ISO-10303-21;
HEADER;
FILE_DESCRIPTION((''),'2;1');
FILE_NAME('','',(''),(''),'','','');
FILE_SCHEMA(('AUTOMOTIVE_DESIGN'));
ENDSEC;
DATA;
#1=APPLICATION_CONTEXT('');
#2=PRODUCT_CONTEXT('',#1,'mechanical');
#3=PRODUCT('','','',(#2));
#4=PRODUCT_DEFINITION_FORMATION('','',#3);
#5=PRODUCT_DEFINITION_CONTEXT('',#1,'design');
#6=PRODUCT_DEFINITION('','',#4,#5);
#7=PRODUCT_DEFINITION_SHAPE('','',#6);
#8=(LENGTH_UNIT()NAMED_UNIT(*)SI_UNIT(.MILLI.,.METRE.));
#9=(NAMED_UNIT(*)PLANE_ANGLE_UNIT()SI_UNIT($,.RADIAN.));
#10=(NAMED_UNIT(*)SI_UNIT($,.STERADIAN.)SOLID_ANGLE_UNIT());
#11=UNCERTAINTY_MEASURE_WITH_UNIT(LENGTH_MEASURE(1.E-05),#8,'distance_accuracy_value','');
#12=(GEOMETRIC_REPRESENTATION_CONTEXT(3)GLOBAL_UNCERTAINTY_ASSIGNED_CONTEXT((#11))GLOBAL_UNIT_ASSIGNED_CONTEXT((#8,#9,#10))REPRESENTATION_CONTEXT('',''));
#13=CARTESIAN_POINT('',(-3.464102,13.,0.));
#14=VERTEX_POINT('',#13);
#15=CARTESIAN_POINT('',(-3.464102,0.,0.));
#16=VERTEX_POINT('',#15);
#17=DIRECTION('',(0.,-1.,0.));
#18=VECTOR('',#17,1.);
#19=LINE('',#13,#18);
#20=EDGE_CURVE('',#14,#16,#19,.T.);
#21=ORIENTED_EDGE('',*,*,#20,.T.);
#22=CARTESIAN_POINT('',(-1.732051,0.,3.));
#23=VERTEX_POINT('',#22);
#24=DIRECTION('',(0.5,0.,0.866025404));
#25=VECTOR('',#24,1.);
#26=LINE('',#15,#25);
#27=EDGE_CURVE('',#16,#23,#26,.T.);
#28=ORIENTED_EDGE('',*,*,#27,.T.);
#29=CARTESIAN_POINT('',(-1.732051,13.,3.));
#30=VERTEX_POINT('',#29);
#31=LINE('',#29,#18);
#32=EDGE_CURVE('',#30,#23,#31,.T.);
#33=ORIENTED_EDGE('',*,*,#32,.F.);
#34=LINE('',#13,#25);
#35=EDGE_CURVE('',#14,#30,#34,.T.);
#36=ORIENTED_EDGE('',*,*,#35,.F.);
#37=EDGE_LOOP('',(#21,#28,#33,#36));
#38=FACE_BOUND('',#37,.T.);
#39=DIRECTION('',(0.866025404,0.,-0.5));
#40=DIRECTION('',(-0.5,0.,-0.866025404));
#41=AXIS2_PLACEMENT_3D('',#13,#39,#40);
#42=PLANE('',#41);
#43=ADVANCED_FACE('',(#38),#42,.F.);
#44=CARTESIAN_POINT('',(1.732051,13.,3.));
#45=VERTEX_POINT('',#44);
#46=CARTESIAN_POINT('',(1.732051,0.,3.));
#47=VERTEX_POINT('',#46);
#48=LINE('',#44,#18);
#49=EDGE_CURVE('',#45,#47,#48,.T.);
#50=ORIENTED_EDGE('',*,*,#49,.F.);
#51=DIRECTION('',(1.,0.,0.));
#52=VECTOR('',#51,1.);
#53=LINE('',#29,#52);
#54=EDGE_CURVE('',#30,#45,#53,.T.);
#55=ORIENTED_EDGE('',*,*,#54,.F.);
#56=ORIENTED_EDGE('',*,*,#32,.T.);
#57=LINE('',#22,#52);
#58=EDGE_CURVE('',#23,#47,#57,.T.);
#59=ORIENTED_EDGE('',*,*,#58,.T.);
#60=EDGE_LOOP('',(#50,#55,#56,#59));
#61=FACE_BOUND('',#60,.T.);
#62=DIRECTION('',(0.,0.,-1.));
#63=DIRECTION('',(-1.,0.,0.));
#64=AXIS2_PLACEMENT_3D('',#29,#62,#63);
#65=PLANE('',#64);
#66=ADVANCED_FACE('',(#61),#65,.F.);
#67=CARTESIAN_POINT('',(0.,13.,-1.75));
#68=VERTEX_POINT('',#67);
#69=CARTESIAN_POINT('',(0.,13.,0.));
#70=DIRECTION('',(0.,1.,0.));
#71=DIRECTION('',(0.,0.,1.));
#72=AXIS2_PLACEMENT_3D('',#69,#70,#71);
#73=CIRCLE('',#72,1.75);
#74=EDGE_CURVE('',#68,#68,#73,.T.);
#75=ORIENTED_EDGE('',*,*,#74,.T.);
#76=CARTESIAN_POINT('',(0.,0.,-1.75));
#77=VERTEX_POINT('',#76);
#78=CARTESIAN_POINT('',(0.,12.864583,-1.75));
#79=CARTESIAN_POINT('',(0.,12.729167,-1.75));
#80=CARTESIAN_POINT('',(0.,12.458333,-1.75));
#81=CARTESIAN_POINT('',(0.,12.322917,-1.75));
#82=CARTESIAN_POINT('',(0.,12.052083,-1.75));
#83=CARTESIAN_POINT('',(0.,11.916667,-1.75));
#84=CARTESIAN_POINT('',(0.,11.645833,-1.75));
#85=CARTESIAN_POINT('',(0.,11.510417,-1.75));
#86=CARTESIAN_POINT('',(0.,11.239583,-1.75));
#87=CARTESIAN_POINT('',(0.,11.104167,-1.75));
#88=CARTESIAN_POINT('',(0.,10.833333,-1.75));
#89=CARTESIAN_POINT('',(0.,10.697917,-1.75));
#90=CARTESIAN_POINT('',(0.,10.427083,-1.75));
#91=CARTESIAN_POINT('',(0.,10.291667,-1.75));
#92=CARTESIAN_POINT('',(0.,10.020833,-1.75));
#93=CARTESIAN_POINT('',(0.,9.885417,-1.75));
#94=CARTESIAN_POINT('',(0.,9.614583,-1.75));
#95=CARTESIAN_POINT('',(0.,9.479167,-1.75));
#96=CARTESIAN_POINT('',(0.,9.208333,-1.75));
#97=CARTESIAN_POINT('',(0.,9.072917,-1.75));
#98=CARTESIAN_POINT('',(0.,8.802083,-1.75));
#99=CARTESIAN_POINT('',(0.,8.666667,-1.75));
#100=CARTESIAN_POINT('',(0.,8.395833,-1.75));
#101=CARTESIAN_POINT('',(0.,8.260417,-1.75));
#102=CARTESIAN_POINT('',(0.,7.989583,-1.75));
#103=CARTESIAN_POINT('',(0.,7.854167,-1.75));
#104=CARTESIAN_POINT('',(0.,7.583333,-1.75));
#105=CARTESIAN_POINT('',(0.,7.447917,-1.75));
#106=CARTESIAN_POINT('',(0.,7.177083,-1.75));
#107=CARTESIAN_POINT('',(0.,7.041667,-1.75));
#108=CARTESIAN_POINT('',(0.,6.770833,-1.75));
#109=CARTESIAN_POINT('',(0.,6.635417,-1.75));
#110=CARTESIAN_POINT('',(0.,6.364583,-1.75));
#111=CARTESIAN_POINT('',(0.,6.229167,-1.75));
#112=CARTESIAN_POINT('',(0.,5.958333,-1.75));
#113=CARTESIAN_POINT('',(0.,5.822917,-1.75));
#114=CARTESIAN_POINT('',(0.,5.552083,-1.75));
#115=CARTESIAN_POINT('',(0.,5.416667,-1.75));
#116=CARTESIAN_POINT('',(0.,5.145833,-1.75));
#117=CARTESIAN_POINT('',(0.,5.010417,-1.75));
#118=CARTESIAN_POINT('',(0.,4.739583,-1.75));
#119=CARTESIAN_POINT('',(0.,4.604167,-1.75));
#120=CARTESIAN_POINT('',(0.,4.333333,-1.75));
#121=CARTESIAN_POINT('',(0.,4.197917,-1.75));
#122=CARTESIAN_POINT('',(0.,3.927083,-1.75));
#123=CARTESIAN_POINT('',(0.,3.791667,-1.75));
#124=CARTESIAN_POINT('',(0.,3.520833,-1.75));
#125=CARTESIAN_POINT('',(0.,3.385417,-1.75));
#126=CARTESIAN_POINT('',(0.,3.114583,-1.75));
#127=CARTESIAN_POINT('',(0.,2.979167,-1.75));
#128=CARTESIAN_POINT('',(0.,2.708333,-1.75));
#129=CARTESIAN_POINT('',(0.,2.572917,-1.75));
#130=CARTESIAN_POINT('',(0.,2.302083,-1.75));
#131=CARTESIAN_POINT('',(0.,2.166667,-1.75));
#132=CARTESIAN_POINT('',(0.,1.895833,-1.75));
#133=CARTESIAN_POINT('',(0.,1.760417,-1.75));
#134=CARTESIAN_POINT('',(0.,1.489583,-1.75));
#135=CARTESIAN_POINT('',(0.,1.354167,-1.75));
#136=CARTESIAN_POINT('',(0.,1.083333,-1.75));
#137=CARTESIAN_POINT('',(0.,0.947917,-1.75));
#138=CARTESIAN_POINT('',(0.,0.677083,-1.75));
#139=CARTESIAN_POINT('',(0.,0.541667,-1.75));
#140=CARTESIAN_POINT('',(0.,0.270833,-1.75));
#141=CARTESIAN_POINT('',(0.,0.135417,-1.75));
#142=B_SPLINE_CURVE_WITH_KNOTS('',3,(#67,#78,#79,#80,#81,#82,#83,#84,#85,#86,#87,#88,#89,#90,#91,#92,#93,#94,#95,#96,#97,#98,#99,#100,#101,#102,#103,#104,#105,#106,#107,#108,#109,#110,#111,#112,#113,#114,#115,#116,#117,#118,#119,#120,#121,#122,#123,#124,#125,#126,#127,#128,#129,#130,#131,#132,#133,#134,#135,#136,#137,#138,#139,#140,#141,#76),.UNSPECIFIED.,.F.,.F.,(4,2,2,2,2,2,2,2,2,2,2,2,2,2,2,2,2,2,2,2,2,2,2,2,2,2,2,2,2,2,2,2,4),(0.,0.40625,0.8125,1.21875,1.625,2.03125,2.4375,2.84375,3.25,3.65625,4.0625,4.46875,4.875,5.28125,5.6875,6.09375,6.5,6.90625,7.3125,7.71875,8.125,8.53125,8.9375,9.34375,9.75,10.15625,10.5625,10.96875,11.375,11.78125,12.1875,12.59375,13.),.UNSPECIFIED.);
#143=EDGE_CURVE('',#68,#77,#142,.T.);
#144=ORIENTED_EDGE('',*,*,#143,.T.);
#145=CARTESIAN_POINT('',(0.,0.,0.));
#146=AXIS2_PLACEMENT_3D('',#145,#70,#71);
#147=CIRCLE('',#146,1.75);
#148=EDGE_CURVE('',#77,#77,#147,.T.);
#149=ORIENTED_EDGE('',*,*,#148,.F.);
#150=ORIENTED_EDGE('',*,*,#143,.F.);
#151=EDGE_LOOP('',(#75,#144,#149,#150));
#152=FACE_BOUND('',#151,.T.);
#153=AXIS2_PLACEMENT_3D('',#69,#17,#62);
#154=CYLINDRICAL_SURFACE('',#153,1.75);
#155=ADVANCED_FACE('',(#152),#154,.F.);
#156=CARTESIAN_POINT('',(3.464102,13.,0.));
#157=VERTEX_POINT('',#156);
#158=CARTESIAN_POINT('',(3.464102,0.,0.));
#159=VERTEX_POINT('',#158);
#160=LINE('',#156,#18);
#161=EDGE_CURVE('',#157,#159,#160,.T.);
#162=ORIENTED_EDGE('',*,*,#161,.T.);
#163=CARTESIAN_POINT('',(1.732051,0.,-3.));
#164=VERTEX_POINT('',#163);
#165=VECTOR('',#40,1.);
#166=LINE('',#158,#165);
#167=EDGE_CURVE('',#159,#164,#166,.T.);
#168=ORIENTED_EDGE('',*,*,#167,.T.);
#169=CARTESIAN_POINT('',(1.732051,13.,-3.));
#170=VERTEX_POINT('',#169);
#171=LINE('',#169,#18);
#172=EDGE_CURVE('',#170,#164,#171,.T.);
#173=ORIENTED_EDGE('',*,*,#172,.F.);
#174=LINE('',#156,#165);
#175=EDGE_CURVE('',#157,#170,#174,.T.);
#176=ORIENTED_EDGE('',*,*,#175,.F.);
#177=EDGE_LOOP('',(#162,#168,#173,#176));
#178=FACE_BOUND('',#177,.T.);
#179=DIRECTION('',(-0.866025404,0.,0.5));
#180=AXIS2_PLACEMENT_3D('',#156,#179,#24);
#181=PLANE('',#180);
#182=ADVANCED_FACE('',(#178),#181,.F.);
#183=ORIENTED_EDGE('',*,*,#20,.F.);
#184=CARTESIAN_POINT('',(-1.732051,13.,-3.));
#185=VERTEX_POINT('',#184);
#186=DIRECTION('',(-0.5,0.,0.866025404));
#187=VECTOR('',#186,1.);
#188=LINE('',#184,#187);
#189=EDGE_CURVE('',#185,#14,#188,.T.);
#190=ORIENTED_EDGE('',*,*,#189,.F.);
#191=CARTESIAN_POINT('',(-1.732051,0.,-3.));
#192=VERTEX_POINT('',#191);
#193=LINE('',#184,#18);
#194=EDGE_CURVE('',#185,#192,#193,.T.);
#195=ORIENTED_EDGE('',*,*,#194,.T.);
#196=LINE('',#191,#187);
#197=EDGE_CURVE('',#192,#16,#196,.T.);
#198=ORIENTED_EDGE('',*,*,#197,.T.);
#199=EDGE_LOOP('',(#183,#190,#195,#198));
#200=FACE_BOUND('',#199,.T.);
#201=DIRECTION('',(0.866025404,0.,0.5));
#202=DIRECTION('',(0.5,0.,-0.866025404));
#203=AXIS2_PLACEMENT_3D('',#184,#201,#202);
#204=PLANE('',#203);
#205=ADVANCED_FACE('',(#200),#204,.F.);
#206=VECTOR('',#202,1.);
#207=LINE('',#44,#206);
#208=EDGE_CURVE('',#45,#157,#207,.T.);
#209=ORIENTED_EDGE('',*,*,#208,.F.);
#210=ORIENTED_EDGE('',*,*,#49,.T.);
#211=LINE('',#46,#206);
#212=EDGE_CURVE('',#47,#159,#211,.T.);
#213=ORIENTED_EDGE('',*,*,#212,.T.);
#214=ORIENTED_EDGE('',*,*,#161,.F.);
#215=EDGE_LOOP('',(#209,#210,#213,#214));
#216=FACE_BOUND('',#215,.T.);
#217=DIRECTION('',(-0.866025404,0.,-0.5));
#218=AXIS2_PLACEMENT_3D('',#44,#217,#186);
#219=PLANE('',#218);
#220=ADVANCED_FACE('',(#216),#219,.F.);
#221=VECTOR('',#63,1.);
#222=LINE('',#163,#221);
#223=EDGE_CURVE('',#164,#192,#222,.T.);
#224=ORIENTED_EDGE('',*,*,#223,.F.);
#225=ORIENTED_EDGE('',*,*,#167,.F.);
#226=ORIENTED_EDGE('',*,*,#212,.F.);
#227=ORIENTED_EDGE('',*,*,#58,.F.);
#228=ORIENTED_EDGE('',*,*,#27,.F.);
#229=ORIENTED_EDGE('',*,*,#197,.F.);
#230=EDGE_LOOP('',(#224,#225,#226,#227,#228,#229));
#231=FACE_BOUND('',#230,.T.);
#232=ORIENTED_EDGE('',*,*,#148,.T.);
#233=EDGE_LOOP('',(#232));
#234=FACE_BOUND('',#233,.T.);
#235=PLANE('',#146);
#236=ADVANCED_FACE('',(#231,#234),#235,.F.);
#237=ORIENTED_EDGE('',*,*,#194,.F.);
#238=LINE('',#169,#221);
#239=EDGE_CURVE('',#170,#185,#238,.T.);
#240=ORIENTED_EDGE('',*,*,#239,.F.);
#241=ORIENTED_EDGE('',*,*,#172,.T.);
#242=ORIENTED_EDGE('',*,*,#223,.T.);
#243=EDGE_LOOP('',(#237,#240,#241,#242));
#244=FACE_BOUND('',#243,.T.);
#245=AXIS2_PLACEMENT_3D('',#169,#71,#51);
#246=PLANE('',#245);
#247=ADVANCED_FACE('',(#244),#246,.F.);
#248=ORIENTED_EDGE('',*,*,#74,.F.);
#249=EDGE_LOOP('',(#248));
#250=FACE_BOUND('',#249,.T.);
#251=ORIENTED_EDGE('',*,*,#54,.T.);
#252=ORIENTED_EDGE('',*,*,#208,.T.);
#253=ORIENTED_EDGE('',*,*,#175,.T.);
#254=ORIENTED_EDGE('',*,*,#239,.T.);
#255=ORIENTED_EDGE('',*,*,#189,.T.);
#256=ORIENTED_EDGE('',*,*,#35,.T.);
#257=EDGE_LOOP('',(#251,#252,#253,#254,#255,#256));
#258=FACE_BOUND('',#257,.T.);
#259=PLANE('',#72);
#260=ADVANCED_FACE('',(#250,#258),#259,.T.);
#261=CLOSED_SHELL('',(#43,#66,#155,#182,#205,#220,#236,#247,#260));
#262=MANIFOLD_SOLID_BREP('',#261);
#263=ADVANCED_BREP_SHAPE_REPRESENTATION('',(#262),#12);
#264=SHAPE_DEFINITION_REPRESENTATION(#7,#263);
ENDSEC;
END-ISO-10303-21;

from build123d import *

# Parameters (mm, degrees)
ESQUISSE1_R        = 1.75
BOSS_EXTRU_1_DEPTH = 13


with BuildPart() as part:
    # Esquisse1 → Boss.-Extru.1 (new body)
    with BuildSketch(Plane(origin=(0, 0, 0), x_dir=(1, 0, 0), z_dir=(0, 1, 0))):
        Polygon((3.464101615, 0), (1.732050808, 3), (-1.732050808, 3), (-3.464101615, 0), (-1.732050808, -3), (1.732050808, -3), align=None)
        with Locations(Location((0, 0, 0), (0, 0, 90))):
            Circle(ESQUISSE1_R, mode=Mode.SUBTRACT)
    extrude(amount=BOSS_EXTRU_1_DEPTH)


solid = part.part
